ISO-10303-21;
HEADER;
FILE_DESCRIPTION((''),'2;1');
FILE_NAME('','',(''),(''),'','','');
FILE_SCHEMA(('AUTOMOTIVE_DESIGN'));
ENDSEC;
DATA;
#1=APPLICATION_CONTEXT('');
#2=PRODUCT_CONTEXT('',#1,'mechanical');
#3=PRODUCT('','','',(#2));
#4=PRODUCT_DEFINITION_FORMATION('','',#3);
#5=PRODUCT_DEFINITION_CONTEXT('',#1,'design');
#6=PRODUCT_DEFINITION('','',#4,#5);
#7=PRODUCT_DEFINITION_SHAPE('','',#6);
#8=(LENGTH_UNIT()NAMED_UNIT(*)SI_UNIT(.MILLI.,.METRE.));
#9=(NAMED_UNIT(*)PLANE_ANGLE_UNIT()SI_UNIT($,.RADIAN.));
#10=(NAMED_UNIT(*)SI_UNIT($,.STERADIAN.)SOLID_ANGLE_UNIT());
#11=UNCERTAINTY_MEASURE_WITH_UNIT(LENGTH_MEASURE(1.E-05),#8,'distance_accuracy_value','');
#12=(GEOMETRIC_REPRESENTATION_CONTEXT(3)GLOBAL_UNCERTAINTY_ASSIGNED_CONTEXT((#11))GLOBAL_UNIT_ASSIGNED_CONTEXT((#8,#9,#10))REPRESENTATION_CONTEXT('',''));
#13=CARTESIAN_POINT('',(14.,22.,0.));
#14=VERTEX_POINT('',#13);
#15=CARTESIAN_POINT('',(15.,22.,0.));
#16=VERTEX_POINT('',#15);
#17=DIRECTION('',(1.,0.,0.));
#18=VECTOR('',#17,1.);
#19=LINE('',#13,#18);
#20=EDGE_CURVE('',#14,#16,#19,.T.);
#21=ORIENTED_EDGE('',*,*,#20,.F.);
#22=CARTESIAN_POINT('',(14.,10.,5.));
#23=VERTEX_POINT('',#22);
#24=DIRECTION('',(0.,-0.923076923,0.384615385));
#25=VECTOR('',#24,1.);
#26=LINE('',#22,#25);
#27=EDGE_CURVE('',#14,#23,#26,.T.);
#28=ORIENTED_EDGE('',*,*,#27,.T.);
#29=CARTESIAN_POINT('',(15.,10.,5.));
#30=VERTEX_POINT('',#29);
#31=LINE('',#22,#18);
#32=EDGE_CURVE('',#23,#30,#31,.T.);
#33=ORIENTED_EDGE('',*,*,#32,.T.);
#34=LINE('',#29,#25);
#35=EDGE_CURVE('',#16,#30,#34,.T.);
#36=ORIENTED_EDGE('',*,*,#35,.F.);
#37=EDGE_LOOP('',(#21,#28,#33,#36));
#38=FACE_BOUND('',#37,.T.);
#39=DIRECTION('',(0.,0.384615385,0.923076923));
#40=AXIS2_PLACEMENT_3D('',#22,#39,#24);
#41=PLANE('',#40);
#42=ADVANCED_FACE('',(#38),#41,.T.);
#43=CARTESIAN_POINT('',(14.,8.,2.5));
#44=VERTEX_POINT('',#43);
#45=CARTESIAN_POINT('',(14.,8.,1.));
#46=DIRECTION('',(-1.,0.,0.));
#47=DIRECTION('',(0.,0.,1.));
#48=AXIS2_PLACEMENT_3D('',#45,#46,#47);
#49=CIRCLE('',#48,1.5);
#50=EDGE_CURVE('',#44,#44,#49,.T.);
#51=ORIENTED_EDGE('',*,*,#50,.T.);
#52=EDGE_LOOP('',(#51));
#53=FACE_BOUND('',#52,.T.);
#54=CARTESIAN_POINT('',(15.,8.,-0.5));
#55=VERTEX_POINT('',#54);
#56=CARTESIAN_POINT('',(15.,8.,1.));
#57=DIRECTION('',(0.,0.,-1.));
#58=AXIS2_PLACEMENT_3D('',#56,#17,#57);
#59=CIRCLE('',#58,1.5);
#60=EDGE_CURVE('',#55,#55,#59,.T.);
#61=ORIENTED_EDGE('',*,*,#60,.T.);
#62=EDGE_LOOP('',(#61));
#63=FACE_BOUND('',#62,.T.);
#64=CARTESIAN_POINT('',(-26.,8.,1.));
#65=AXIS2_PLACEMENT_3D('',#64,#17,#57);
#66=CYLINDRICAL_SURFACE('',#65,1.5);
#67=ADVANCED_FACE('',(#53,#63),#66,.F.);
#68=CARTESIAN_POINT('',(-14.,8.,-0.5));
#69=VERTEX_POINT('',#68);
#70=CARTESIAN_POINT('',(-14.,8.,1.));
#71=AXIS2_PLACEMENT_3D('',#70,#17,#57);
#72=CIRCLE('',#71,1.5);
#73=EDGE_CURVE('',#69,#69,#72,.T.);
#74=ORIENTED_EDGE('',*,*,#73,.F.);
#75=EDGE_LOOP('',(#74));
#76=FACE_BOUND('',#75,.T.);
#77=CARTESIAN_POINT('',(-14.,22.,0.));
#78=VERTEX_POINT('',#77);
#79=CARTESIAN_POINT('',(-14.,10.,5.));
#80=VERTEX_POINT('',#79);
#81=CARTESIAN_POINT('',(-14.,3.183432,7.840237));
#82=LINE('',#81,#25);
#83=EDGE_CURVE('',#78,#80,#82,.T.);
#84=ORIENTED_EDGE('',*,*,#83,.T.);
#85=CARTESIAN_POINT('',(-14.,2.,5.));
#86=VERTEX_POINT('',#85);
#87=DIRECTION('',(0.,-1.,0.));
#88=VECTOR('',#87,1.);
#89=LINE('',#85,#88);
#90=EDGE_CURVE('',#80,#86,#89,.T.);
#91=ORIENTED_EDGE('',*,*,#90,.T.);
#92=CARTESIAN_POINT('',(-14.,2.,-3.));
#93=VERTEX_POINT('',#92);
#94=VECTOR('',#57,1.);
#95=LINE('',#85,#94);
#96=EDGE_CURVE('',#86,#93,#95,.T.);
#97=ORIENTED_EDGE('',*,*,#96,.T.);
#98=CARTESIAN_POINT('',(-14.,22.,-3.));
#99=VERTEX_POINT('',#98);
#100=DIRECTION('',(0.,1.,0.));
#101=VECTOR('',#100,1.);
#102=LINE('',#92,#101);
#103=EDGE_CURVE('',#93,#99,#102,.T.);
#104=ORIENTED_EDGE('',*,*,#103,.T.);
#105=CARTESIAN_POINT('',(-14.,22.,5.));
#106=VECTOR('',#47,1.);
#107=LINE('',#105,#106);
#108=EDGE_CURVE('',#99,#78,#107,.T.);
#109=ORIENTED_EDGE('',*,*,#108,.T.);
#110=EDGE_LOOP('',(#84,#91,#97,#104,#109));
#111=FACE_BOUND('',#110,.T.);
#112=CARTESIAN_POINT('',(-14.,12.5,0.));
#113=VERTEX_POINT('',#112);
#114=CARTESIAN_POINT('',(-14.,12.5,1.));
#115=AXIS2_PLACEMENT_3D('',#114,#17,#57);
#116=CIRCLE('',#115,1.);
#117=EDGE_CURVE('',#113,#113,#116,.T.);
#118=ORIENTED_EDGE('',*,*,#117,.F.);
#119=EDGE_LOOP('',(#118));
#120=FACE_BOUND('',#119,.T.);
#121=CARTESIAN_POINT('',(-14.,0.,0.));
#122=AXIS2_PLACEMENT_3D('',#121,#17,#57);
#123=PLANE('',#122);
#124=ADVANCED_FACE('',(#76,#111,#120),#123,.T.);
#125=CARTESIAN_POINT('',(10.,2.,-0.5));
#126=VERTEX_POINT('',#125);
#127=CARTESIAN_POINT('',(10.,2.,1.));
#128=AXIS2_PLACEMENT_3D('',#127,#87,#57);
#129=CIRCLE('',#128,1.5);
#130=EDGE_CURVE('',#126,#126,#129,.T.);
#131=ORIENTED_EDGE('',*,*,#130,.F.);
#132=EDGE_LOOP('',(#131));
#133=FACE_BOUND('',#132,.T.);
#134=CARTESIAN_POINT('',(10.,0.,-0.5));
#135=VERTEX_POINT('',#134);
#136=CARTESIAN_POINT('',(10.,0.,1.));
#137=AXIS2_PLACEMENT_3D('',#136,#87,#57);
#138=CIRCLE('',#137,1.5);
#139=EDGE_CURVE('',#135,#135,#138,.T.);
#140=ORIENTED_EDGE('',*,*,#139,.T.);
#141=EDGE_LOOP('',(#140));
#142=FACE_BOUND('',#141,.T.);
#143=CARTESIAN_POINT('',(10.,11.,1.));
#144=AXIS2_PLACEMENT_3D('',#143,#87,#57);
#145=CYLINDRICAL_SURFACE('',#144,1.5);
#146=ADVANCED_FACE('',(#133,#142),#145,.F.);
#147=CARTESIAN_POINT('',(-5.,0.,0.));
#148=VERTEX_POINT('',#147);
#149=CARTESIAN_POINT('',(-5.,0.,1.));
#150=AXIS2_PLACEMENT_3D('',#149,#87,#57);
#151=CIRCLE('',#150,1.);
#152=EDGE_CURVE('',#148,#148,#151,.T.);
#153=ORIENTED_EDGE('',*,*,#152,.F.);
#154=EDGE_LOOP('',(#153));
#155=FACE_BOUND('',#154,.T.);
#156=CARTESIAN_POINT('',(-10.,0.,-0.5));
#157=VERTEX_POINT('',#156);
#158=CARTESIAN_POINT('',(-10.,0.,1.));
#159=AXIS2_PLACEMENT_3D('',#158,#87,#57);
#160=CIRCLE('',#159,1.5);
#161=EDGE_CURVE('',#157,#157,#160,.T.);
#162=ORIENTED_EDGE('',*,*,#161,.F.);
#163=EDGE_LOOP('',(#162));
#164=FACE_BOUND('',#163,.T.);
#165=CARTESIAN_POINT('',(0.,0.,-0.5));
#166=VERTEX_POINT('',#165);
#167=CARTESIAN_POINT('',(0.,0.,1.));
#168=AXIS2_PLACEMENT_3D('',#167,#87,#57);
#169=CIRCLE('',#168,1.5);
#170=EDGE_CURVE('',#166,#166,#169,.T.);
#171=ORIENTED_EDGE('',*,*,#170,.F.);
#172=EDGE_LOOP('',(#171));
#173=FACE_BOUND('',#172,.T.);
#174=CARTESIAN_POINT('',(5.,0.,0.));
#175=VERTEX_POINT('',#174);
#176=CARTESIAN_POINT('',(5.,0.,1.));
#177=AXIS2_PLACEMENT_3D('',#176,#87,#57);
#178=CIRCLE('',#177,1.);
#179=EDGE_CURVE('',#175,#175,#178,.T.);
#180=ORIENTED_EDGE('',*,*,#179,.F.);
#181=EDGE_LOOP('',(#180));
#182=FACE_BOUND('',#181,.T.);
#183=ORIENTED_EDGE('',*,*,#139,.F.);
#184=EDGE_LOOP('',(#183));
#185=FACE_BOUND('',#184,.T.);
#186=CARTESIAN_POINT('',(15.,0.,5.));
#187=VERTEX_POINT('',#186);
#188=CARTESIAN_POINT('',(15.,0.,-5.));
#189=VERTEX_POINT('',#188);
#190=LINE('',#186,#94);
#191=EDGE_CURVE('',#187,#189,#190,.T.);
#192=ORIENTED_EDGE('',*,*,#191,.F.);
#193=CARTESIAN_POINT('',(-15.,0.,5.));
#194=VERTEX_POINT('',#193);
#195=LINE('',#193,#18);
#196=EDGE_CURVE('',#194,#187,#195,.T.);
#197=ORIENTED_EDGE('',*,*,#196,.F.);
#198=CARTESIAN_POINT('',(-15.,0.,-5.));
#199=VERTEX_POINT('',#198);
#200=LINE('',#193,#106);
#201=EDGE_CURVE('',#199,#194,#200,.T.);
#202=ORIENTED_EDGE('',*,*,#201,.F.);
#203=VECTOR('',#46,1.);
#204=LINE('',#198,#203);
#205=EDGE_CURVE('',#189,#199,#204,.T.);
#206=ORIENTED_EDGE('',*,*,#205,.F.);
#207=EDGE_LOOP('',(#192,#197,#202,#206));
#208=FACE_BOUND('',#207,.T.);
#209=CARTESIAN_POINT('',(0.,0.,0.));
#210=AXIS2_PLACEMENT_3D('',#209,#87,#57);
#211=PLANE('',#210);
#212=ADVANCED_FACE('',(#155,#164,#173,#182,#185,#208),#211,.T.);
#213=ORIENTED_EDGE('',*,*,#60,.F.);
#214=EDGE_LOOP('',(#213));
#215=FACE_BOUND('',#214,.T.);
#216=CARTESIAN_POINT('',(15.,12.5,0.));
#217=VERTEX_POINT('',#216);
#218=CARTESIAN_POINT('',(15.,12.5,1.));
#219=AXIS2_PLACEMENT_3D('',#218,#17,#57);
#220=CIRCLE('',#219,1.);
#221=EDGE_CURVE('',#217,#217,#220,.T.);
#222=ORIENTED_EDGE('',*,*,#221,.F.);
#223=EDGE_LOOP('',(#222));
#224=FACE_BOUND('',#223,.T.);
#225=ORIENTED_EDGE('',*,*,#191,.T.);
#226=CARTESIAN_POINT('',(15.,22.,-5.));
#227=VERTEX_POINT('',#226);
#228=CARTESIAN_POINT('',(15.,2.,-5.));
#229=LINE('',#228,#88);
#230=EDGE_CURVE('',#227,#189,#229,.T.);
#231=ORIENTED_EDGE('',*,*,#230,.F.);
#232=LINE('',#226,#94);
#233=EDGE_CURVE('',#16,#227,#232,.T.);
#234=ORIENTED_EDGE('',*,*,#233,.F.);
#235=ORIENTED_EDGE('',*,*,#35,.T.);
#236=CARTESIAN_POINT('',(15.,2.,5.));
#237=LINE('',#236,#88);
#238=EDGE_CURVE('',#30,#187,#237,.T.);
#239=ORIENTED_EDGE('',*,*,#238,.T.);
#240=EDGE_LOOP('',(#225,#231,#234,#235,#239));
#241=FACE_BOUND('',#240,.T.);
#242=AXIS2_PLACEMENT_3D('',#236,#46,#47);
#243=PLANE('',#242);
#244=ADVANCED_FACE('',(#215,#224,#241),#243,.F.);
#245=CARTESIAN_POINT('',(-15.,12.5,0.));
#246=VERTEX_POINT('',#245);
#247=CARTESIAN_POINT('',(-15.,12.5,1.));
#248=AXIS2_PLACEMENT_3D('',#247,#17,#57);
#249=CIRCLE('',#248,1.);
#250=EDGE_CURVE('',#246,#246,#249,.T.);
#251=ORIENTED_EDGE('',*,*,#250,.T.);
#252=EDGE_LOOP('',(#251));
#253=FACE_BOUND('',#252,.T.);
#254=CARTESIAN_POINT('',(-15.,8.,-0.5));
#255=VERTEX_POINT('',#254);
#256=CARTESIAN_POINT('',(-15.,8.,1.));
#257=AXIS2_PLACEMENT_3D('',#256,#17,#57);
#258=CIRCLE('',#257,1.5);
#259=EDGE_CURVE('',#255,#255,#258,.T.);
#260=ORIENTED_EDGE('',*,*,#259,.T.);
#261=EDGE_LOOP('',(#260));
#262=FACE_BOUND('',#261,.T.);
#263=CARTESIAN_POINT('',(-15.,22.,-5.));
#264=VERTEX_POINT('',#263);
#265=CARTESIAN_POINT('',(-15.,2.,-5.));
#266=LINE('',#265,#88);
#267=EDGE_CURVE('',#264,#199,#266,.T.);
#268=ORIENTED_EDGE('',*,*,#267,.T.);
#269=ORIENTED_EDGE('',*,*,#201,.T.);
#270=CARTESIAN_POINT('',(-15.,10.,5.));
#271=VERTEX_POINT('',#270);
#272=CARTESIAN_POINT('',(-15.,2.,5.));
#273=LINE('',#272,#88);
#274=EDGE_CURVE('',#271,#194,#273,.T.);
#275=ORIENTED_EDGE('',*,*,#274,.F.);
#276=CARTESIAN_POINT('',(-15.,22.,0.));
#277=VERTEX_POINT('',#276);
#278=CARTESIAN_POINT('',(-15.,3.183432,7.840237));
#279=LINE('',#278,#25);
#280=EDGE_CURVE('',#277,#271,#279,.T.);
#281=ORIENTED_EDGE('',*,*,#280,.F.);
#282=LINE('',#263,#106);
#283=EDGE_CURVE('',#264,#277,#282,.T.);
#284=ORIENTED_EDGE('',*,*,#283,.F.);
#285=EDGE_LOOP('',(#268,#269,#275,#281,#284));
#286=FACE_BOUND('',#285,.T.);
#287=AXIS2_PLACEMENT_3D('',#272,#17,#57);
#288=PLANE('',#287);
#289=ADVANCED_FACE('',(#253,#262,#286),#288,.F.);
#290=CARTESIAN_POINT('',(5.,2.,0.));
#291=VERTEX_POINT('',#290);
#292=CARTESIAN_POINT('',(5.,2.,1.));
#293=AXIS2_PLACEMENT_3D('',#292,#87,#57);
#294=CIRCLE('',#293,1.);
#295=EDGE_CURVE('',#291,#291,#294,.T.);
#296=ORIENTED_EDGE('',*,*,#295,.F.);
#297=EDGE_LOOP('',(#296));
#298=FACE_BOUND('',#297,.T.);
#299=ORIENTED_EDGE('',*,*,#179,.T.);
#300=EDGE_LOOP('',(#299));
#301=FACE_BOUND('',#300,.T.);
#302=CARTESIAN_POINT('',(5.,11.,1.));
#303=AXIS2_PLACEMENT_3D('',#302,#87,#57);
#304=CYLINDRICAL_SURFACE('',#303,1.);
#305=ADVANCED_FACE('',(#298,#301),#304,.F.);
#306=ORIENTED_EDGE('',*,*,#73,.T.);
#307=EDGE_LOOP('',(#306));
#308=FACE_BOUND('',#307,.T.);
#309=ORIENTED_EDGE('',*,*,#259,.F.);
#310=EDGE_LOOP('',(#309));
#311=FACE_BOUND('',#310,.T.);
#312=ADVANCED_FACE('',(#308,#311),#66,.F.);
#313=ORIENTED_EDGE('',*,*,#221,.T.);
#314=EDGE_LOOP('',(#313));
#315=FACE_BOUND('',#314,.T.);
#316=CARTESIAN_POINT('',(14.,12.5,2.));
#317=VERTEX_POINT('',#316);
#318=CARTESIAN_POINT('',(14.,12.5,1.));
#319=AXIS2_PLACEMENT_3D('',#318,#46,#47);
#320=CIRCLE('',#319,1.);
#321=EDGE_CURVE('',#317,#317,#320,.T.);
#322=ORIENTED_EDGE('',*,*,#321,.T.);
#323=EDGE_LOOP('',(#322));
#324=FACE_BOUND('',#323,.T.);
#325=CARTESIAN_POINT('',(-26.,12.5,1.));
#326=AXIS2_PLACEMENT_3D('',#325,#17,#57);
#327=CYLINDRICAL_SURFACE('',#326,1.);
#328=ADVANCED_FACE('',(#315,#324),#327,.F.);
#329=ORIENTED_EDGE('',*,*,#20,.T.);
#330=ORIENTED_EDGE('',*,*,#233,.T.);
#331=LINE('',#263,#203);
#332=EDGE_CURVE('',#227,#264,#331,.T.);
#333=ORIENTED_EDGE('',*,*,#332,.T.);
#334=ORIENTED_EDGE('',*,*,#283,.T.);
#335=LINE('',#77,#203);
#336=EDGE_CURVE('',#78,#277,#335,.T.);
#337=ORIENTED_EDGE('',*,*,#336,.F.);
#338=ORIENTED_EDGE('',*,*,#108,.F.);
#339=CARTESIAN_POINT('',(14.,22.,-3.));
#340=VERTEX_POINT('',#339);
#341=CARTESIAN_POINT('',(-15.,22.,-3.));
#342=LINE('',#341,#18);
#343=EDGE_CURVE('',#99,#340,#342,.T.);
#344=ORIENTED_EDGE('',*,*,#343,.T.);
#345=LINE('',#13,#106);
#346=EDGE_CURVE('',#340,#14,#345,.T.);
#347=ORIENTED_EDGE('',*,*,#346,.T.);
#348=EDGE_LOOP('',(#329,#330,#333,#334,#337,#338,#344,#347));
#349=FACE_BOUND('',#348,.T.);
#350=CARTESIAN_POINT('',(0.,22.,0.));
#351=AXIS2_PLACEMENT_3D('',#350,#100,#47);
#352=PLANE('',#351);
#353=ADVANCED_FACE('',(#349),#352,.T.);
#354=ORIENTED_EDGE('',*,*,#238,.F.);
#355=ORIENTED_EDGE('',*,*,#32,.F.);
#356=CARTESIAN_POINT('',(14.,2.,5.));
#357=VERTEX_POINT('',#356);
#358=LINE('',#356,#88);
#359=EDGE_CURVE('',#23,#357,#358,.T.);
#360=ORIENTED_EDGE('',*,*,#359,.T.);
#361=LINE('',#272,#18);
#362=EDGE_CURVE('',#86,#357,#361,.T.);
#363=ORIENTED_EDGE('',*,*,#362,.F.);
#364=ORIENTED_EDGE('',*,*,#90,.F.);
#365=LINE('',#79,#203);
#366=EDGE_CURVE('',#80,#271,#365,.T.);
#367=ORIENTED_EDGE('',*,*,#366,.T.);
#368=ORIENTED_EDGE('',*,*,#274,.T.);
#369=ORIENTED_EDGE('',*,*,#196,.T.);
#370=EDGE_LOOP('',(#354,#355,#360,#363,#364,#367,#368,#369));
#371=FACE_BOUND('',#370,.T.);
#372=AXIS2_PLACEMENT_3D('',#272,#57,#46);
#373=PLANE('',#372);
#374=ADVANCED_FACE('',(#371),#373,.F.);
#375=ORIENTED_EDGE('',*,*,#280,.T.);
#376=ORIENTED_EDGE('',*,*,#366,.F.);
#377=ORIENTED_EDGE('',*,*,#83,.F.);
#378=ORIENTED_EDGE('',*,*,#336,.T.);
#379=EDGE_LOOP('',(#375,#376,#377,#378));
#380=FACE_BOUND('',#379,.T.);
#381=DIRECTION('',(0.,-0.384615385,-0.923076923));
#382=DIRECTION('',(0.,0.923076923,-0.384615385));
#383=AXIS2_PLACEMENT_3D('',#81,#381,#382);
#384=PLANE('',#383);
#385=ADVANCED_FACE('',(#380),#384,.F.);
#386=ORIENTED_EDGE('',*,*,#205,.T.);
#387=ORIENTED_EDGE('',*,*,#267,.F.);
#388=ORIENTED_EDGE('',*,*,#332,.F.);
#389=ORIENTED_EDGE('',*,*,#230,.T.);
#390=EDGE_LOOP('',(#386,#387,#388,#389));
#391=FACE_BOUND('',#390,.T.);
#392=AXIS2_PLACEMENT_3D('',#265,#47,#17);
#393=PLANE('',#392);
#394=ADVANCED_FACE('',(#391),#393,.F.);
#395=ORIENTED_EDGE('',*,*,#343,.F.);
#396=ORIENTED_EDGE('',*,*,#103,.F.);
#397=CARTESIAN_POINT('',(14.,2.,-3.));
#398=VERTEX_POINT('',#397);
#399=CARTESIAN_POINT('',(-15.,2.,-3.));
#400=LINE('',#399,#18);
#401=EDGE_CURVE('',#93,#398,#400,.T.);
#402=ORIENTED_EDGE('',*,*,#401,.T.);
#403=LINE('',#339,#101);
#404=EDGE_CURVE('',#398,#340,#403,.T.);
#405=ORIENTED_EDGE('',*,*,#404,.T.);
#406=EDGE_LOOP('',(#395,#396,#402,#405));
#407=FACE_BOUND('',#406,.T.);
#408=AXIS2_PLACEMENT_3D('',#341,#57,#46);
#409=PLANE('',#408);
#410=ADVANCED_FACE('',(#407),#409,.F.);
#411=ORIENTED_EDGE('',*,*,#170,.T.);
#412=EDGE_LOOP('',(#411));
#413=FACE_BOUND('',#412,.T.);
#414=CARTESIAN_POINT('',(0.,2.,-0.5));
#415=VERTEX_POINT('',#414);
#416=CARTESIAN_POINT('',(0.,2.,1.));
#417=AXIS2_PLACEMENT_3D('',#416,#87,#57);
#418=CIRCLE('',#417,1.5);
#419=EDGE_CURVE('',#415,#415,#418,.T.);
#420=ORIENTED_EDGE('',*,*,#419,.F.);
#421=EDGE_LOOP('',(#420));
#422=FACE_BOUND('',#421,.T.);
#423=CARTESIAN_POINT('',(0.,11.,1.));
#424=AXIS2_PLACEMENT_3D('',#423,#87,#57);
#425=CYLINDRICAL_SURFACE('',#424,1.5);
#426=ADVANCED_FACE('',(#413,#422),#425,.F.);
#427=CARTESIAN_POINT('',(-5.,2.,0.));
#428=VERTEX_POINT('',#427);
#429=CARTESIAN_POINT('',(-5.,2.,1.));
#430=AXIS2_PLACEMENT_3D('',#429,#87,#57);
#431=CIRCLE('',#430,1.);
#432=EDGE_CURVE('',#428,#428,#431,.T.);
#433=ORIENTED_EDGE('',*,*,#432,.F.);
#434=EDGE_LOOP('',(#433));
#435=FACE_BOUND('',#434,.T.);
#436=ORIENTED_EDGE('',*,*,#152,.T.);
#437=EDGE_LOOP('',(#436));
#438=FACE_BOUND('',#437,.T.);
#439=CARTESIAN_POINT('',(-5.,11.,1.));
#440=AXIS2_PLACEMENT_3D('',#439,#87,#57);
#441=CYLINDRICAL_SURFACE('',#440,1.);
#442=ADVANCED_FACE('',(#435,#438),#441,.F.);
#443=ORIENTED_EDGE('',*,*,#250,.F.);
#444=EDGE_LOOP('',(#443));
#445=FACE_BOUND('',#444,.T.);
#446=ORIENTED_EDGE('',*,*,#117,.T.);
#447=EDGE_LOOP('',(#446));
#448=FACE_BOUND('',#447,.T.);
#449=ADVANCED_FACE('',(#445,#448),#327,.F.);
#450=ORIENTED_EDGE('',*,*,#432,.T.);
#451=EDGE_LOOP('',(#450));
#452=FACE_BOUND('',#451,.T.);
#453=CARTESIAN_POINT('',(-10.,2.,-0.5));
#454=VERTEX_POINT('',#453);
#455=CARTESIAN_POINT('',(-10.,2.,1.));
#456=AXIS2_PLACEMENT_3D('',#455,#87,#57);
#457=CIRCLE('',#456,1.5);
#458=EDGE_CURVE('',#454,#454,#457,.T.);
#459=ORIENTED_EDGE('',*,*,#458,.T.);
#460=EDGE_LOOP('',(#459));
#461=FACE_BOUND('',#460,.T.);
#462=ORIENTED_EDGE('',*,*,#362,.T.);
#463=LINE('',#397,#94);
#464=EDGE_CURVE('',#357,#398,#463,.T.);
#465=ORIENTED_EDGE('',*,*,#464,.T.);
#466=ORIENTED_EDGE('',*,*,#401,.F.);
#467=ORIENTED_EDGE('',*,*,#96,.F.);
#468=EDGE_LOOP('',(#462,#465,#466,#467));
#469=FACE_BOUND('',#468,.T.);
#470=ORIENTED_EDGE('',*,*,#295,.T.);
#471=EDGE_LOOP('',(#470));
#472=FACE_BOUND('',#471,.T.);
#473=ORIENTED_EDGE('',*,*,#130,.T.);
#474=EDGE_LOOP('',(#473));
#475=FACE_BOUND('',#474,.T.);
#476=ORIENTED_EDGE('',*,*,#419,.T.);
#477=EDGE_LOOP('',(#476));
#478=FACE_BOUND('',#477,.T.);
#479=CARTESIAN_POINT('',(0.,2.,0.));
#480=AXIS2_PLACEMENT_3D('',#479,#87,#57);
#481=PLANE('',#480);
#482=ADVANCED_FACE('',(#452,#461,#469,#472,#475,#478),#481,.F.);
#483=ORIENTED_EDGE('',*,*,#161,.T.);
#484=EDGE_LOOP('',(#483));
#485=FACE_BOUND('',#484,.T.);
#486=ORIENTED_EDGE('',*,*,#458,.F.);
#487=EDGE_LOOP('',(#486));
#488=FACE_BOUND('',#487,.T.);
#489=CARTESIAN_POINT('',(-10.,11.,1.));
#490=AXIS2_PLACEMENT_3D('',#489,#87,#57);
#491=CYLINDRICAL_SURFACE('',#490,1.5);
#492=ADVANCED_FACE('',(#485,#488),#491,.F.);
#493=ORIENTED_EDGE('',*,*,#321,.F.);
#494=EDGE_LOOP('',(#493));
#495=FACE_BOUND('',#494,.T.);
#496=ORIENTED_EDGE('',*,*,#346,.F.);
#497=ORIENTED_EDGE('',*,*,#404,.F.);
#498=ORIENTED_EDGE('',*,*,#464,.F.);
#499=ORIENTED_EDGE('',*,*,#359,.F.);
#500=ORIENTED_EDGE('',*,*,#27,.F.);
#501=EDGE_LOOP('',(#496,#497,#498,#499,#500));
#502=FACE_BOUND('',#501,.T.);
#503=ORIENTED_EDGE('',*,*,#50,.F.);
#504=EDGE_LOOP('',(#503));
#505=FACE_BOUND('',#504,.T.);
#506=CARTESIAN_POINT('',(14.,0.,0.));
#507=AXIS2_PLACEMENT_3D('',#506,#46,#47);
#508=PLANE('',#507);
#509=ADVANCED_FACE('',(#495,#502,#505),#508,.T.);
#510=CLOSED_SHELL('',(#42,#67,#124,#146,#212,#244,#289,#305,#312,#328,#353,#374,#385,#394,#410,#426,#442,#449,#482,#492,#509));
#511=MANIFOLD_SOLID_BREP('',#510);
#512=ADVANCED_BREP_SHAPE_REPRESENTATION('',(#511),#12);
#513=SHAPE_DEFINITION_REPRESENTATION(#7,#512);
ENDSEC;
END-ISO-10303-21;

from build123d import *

# Parameters (mm, degrees)
SKETCH1_W           = 30
SKETCH1_H           = 10
BOSS_EXTRUDE1_DEPTH = 2
SKETCH2_W           = 30
SKETCH2_H           = 2
BOSS_EXTRUDE2_DEPTH = 20
BOSS_EXTRUDE3_DEPTH = 1
BOSS_EXTRUDE4_START = -30
BOSS_EXTRUDE4_DEPTH = 1
SKETCH4_R           = 1.5
SKETCH4_R_2         = 1
CUT_EXTRUDE1_DEPTH  = 11
SKETCH5_R           = 1.5
SKETCH5_R_2         = 1
CUT_EXTRUDE2_DEPTH  = 41


with BuildPart() as part:
    # Sketch1 → Boss-Extrude1 (new body)
    with BuildSketch(Plane(origin=(0, 0, 0), x_dir=(1, 0, 0), z_dir=(0, 1, 0))):
        Rectangle(SKETCH1_W, SKETCH1_H)
    extrude(amount=BOSS_EXTRUDE1_DEPTH)

    # Sketch2 → Boss-Extrude2 (add)
    with BuildSketch(Plane(origin=(0, 2, 0), x_dir=(1, 0, 0), z_dir=(0, 1, 0))):
        with Locations((0, 4)):
            Rectangle(SKETCH2_W, SKETCH2_H)
    extrude(amount=BOSS_EXTRUDE2_DEPTH)

    # Sketch3 → Boss-Extrude3 (add)
    with BuildSketch(Plane(origin=(15, 0, 0), x_dir=(0, 0, -1), z_dir=(1, 0, 0))):
        Polygon((-5, 2), (-5, 10), (0, 22), (3, 22), (3, 2), align=None)
    extrude(amount=-BOSS_EXTRUDE3_DEPTH)

    # Sketch3<2> → Boss-Extrude4 (add)
    with BuildSketch(Plane(origin=(15, 0, 0), x_dir=(0, 0, -1), z_dir=(1, 0, 0)).offset(BOSS_EXTRUDE4_START)):
        Polygon((-5, 2), (-5, 10), (0, 22), (3, 22), (3, 2), align=None)
    extrude(amount=BOSS_EXTRUDE4_DEPTH)

    # Sketch4 → Cut-Extrude1 (cut)
    with BuildSketch(Plane.XZ):
        with Locations(Location((0, 1, 0), (0, 0, 270))):
            Circle(SKETCH4_R)
        with Locations(Location((5, 1, 0), (0, 0, 270))):
            Circle(SKETCH4_R_2)
        with Locations(Location((-5, 1, 0), (0, 0, 270))):
            Circle(SKETCH4_R_2)
        with Locations(Location((10, 1, 0), (0, 0, 270))):
            Circle(SKETCH4_R)
        with Locations(Location((-10, 1, 0), (0, 0, 270))):
            Circle(SKETCH4_R)
    extrude(amount=-CUT_EXTRUDE1_DEPTH, mode=Mode.SUBTRACT)

    # Sketch5 → Cut-Extrude2 (cut)
    with BuildSketch(Plane(origin=(15, 0, 0), x_dir=(0, 0, -1), z_dir=(1, 0, 0))):
        with Locations((-1, 8)):
            Circle(SKETCH5_R)
        with Locations((-1, 12.5)):
            Circle(SKETCH5_R_2)
    extrude(amount=-CUT_EXTRUDE2_DEPTH, mode=Mode.SUBTRACT)


solid = part.part
